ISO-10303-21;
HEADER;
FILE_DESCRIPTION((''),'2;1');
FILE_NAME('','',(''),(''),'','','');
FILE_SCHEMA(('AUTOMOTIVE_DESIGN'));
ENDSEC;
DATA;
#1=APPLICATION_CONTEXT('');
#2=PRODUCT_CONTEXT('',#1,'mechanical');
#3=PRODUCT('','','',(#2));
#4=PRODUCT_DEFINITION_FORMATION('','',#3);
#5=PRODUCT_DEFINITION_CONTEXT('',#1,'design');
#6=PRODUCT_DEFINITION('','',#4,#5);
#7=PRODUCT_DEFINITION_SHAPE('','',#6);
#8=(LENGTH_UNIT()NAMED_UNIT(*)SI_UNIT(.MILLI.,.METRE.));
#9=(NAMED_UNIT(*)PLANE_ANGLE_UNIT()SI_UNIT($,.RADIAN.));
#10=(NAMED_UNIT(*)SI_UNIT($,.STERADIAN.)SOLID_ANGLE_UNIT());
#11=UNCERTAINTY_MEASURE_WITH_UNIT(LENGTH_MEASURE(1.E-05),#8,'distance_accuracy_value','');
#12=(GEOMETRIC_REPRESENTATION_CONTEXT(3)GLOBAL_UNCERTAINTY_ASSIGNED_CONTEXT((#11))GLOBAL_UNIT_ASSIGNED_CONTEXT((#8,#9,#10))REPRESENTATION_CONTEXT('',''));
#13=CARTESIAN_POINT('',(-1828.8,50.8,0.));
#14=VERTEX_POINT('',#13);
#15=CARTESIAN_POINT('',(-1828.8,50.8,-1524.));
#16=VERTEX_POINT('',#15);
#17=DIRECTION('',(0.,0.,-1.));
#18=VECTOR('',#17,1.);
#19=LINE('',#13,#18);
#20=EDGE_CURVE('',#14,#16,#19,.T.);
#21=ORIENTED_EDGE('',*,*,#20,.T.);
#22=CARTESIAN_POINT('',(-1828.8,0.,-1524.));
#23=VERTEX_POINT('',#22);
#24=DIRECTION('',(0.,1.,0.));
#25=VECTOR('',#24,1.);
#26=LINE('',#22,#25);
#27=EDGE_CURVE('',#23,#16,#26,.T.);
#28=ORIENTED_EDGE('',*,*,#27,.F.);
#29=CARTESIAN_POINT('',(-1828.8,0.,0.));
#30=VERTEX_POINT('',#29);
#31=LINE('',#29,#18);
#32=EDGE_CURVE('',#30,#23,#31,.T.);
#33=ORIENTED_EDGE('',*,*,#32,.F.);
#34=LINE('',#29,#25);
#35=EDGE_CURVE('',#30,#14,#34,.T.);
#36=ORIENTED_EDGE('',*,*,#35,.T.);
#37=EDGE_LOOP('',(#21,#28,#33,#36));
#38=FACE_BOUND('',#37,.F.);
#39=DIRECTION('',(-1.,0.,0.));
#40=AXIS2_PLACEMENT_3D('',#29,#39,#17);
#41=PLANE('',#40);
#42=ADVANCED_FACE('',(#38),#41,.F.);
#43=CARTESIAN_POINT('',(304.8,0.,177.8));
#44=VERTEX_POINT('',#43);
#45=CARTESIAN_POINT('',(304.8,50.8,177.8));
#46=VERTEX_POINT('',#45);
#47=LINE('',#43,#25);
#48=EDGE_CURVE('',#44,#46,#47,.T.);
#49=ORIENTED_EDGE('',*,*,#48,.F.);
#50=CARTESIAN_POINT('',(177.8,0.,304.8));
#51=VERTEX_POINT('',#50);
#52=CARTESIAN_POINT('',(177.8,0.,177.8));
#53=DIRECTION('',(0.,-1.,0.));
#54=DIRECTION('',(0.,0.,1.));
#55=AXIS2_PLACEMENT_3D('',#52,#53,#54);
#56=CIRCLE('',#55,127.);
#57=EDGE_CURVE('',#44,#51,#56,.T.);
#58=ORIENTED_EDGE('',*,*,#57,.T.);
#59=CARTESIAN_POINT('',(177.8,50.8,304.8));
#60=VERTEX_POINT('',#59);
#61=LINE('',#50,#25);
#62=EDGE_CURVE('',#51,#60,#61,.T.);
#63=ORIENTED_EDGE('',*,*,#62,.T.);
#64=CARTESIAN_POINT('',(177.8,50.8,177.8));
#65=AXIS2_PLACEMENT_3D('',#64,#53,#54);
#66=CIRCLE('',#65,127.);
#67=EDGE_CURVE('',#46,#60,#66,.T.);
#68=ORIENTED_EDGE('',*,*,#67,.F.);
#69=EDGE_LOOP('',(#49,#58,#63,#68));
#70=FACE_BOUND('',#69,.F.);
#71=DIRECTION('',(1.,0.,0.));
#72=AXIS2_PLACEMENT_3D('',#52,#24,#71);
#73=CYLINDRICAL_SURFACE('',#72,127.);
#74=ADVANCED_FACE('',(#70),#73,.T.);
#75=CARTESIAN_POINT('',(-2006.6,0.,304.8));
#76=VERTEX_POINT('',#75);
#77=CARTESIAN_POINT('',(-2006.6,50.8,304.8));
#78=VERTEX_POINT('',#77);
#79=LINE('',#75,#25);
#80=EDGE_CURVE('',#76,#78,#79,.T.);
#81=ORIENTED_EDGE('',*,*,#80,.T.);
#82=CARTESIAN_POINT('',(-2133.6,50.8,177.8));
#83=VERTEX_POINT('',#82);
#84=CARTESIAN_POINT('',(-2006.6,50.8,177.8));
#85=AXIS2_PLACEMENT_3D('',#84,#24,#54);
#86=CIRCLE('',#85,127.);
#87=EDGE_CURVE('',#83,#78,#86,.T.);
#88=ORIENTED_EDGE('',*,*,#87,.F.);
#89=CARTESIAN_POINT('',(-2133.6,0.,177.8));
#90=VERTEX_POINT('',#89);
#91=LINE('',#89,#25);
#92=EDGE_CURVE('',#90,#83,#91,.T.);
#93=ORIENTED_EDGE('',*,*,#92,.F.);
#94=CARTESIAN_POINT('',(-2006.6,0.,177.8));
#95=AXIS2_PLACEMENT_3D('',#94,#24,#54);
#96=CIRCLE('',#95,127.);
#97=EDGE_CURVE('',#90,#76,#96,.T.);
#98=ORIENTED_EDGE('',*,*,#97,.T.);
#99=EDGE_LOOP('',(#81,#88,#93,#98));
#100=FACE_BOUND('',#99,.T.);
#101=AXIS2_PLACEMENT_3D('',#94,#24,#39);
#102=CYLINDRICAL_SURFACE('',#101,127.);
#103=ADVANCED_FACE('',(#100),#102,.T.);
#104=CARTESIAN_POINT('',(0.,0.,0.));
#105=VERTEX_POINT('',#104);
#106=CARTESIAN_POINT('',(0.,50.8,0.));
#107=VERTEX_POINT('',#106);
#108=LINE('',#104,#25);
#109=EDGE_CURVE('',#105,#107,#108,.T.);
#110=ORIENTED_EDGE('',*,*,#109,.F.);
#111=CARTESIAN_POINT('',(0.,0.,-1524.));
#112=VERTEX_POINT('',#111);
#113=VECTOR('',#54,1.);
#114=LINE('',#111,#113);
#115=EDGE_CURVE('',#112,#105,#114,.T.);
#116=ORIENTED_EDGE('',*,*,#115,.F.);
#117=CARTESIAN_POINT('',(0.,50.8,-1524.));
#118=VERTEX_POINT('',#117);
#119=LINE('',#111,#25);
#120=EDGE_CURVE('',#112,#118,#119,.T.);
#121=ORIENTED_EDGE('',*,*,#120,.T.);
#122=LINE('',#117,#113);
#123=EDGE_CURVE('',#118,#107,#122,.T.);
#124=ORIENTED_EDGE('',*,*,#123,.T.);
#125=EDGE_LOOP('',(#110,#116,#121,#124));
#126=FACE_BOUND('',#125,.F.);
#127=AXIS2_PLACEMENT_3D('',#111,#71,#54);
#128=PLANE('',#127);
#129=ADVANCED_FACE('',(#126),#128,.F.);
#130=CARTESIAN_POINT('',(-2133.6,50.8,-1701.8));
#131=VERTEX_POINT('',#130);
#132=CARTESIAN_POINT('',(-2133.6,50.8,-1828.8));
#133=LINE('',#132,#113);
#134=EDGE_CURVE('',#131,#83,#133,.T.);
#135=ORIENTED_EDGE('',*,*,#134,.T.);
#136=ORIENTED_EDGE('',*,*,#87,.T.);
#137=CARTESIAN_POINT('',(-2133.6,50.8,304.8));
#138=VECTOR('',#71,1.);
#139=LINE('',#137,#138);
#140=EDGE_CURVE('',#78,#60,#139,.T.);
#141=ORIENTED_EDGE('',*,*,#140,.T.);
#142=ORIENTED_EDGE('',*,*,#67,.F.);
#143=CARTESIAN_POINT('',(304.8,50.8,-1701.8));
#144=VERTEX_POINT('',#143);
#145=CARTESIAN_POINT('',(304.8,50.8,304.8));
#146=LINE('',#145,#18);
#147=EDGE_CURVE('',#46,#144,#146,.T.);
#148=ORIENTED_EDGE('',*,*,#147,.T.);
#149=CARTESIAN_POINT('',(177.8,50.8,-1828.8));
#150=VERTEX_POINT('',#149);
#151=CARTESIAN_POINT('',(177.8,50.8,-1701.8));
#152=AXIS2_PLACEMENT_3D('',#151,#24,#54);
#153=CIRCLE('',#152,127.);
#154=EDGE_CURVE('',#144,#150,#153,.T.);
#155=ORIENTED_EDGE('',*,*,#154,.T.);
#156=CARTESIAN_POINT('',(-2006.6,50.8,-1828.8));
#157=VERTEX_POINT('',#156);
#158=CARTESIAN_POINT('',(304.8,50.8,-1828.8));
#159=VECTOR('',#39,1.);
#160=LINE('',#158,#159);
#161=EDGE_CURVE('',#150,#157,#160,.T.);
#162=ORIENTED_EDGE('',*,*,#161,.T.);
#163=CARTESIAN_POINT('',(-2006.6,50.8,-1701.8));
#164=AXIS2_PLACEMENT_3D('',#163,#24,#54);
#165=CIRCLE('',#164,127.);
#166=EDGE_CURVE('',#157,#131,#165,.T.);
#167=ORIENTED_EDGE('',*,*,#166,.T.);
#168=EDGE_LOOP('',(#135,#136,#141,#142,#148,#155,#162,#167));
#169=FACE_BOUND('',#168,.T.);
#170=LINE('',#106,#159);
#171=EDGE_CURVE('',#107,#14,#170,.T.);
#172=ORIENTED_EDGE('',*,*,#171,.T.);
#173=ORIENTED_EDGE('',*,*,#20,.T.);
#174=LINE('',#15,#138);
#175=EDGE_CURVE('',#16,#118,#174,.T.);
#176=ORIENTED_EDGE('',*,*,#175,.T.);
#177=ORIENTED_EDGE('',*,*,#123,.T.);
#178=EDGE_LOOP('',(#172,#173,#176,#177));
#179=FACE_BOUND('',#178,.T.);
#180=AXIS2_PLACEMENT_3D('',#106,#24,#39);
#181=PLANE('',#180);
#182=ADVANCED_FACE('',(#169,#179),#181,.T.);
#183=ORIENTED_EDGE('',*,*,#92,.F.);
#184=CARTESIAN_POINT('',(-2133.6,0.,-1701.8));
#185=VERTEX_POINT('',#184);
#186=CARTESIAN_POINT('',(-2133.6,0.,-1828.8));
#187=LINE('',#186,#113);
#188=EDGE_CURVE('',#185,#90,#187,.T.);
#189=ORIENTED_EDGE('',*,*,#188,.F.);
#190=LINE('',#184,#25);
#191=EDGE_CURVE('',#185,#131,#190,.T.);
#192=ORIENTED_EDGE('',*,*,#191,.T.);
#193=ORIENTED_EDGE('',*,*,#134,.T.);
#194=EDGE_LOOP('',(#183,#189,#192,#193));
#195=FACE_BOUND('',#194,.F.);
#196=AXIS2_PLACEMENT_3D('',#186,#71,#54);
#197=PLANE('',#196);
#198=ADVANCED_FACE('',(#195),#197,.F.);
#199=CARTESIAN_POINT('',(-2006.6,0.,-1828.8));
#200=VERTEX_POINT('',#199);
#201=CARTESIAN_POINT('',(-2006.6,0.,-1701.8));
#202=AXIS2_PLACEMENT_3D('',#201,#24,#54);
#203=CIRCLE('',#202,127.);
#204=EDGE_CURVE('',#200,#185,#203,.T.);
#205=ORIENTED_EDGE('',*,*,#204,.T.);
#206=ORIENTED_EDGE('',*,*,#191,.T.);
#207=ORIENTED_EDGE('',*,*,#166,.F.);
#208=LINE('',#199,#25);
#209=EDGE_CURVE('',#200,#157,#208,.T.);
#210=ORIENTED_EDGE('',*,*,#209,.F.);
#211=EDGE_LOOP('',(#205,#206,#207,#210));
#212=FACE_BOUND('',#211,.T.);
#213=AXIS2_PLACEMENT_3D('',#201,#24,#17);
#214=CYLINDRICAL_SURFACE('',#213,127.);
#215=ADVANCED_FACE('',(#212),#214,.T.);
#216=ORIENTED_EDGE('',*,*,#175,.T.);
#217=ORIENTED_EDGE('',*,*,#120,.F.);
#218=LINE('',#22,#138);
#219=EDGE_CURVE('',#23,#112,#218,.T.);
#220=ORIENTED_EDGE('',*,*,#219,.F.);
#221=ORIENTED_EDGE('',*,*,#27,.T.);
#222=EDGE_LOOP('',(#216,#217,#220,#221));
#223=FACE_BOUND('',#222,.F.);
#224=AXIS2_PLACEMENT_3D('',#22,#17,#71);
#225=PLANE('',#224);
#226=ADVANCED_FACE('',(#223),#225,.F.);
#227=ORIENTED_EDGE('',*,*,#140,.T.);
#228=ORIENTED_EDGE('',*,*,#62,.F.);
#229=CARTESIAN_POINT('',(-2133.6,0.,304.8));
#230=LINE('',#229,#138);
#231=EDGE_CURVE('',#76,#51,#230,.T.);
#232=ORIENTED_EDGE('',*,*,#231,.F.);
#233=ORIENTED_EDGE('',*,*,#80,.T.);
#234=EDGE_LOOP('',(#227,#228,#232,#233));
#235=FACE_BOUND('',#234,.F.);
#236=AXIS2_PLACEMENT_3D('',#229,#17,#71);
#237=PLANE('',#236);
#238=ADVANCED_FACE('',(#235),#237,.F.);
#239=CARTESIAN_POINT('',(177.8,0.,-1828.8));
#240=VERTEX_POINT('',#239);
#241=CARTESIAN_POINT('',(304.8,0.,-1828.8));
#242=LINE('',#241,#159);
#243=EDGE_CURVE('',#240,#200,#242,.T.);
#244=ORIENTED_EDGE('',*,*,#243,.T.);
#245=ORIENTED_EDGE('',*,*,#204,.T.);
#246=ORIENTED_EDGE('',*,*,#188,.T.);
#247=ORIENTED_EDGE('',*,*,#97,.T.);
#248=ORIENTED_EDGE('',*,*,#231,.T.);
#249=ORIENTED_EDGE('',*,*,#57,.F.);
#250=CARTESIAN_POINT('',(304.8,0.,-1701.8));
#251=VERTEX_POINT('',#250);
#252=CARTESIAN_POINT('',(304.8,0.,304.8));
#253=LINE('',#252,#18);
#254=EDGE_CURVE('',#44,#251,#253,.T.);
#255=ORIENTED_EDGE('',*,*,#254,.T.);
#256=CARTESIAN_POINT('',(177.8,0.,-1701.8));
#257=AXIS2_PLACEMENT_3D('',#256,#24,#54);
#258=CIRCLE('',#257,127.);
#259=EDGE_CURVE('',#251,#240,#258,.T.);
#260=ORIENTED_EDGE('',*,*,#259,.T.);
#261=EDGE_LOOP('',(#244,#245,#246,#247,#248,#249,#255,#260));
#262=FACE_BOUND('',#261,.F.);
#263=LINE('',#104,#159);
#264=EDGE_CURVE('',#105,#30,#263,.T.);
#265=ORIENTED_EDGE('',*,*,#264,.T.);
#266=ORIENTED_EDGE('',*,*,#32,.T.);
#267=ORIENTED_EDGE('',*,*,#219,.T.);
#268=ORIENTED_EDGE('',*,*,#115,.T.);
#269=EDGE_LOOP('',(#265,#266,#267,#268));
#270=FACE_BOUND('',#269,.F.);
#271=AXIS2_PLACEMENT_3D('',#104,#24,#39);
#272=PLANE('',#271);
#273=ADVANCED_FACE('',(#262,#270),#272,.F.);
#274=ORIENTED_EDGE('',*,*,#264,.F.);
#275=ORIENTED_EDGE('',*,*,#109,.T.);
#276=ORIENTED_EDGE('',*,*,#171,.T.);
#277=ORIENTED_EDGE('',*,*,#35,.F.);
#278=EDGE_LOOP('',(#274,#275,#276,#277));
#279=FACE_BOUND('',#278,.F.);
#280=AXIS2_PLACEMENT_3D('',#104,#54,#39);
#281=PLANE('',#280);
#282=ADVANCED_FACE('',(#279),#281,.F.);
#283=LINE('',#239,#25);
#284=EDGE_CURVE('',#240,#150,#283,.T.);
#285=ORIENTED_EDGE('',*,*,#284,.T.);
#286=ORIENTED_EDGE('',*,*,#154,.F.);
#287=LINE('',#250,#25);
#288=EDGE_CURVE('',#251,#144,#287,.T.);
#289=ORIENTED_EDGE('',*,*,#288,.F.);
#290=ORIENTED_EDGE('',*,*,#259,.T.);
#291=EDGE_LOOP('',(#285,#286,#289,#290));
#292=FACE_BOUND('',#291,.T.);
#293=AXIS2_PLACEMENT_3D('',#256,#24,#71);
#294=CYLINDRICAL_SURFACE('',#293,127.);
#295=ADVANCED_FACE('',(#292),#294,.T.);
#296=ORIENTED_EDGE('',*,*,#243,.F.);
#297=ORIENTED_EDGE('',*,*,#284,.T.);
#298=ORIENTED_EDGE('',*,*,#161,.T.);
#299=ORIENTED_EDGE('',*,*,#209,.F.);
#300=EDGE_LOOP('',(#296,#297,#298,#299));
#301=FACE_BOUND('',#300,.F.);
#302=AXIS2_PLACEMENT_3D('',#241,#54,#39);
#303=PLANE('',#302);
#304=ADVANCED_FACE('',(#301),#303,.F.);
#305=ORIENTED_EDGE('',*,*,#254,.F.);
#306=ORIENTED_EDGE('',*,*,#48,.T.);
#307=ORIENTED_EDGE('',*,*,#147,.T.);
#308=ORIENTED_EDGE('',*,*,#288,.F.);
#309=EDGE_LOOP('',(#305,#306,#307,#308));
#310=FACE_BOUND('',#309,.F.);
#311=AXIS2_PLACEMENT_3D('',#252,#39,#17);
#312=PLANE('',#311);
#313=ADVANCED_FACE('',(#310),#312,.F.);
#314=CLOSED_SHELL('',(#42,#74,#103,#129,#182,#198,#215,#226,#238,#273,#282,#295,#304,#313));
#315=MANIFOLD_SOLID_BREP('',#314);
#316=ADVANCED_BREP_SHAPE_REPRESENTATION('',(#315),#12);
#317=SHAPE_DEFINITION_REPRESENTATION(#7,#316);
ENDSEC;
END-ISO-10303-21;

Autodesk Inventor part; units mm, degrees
ref_plane "YZ Plane" through (0, 0, 0) normal (1, 0, 0) x (0, 1, 0)
ref_plane "XZ Plane" through (0, 0, 0) normal (0, 1, 0) x (-1, 0, 0)
ref_plane "XY Plane" through (0, 0, 0) normal (0, 0, 1) x (1, 0, 0)
sketch "Sketch1" plane through (0, 0, 0) normal (0, 1, 0) x (-1, 0, 0)
  line L0 (0, 0) -> (1828.8, 0)
  line L1 (1828.8, 0) -> (1828.8, -1524)
  line L2 (1828.8, -1524) -> (0, -1524)
  line L3 (0, -1524) -> (0, 0)
  line L4 (2133.6, 304.8) -> (-304.8, 304.8)
  line L5 (-304.8, 304.8) -> (-304.8, -1828.8)
  line L6 (-304.8, -1828.8) -> (2133.6, -1828.8)
  line L7 (2133.6, -1828.8) -> (2133.6, 304.8)
  dimension "d0" = 1828.8
  dimension "d1" = 1524
  dimension "d2" = 304.8
  dimension "d3" = 304.8
  dimension "d4" = 304.8
  dimension "d5" = 304.8
extrude "Extrusion1" add sketch "Sketch1" along normal blind 50.8
fillet "Fillet1" radius 127 1 edges at (304.8, 25.4, 304.8)
fillet "Fillet2" radius 127 1 edges at (304.8, 25.4, -1828.8)
fillet "Fillet3" radius 127 1 edges at (-2133.6, 25.4, -1828.8)
fillet "Fillet4" radius 127 1 edges at (-2133.6, 25.4, 304.8)
properties part number "Border" material "Rubber"
